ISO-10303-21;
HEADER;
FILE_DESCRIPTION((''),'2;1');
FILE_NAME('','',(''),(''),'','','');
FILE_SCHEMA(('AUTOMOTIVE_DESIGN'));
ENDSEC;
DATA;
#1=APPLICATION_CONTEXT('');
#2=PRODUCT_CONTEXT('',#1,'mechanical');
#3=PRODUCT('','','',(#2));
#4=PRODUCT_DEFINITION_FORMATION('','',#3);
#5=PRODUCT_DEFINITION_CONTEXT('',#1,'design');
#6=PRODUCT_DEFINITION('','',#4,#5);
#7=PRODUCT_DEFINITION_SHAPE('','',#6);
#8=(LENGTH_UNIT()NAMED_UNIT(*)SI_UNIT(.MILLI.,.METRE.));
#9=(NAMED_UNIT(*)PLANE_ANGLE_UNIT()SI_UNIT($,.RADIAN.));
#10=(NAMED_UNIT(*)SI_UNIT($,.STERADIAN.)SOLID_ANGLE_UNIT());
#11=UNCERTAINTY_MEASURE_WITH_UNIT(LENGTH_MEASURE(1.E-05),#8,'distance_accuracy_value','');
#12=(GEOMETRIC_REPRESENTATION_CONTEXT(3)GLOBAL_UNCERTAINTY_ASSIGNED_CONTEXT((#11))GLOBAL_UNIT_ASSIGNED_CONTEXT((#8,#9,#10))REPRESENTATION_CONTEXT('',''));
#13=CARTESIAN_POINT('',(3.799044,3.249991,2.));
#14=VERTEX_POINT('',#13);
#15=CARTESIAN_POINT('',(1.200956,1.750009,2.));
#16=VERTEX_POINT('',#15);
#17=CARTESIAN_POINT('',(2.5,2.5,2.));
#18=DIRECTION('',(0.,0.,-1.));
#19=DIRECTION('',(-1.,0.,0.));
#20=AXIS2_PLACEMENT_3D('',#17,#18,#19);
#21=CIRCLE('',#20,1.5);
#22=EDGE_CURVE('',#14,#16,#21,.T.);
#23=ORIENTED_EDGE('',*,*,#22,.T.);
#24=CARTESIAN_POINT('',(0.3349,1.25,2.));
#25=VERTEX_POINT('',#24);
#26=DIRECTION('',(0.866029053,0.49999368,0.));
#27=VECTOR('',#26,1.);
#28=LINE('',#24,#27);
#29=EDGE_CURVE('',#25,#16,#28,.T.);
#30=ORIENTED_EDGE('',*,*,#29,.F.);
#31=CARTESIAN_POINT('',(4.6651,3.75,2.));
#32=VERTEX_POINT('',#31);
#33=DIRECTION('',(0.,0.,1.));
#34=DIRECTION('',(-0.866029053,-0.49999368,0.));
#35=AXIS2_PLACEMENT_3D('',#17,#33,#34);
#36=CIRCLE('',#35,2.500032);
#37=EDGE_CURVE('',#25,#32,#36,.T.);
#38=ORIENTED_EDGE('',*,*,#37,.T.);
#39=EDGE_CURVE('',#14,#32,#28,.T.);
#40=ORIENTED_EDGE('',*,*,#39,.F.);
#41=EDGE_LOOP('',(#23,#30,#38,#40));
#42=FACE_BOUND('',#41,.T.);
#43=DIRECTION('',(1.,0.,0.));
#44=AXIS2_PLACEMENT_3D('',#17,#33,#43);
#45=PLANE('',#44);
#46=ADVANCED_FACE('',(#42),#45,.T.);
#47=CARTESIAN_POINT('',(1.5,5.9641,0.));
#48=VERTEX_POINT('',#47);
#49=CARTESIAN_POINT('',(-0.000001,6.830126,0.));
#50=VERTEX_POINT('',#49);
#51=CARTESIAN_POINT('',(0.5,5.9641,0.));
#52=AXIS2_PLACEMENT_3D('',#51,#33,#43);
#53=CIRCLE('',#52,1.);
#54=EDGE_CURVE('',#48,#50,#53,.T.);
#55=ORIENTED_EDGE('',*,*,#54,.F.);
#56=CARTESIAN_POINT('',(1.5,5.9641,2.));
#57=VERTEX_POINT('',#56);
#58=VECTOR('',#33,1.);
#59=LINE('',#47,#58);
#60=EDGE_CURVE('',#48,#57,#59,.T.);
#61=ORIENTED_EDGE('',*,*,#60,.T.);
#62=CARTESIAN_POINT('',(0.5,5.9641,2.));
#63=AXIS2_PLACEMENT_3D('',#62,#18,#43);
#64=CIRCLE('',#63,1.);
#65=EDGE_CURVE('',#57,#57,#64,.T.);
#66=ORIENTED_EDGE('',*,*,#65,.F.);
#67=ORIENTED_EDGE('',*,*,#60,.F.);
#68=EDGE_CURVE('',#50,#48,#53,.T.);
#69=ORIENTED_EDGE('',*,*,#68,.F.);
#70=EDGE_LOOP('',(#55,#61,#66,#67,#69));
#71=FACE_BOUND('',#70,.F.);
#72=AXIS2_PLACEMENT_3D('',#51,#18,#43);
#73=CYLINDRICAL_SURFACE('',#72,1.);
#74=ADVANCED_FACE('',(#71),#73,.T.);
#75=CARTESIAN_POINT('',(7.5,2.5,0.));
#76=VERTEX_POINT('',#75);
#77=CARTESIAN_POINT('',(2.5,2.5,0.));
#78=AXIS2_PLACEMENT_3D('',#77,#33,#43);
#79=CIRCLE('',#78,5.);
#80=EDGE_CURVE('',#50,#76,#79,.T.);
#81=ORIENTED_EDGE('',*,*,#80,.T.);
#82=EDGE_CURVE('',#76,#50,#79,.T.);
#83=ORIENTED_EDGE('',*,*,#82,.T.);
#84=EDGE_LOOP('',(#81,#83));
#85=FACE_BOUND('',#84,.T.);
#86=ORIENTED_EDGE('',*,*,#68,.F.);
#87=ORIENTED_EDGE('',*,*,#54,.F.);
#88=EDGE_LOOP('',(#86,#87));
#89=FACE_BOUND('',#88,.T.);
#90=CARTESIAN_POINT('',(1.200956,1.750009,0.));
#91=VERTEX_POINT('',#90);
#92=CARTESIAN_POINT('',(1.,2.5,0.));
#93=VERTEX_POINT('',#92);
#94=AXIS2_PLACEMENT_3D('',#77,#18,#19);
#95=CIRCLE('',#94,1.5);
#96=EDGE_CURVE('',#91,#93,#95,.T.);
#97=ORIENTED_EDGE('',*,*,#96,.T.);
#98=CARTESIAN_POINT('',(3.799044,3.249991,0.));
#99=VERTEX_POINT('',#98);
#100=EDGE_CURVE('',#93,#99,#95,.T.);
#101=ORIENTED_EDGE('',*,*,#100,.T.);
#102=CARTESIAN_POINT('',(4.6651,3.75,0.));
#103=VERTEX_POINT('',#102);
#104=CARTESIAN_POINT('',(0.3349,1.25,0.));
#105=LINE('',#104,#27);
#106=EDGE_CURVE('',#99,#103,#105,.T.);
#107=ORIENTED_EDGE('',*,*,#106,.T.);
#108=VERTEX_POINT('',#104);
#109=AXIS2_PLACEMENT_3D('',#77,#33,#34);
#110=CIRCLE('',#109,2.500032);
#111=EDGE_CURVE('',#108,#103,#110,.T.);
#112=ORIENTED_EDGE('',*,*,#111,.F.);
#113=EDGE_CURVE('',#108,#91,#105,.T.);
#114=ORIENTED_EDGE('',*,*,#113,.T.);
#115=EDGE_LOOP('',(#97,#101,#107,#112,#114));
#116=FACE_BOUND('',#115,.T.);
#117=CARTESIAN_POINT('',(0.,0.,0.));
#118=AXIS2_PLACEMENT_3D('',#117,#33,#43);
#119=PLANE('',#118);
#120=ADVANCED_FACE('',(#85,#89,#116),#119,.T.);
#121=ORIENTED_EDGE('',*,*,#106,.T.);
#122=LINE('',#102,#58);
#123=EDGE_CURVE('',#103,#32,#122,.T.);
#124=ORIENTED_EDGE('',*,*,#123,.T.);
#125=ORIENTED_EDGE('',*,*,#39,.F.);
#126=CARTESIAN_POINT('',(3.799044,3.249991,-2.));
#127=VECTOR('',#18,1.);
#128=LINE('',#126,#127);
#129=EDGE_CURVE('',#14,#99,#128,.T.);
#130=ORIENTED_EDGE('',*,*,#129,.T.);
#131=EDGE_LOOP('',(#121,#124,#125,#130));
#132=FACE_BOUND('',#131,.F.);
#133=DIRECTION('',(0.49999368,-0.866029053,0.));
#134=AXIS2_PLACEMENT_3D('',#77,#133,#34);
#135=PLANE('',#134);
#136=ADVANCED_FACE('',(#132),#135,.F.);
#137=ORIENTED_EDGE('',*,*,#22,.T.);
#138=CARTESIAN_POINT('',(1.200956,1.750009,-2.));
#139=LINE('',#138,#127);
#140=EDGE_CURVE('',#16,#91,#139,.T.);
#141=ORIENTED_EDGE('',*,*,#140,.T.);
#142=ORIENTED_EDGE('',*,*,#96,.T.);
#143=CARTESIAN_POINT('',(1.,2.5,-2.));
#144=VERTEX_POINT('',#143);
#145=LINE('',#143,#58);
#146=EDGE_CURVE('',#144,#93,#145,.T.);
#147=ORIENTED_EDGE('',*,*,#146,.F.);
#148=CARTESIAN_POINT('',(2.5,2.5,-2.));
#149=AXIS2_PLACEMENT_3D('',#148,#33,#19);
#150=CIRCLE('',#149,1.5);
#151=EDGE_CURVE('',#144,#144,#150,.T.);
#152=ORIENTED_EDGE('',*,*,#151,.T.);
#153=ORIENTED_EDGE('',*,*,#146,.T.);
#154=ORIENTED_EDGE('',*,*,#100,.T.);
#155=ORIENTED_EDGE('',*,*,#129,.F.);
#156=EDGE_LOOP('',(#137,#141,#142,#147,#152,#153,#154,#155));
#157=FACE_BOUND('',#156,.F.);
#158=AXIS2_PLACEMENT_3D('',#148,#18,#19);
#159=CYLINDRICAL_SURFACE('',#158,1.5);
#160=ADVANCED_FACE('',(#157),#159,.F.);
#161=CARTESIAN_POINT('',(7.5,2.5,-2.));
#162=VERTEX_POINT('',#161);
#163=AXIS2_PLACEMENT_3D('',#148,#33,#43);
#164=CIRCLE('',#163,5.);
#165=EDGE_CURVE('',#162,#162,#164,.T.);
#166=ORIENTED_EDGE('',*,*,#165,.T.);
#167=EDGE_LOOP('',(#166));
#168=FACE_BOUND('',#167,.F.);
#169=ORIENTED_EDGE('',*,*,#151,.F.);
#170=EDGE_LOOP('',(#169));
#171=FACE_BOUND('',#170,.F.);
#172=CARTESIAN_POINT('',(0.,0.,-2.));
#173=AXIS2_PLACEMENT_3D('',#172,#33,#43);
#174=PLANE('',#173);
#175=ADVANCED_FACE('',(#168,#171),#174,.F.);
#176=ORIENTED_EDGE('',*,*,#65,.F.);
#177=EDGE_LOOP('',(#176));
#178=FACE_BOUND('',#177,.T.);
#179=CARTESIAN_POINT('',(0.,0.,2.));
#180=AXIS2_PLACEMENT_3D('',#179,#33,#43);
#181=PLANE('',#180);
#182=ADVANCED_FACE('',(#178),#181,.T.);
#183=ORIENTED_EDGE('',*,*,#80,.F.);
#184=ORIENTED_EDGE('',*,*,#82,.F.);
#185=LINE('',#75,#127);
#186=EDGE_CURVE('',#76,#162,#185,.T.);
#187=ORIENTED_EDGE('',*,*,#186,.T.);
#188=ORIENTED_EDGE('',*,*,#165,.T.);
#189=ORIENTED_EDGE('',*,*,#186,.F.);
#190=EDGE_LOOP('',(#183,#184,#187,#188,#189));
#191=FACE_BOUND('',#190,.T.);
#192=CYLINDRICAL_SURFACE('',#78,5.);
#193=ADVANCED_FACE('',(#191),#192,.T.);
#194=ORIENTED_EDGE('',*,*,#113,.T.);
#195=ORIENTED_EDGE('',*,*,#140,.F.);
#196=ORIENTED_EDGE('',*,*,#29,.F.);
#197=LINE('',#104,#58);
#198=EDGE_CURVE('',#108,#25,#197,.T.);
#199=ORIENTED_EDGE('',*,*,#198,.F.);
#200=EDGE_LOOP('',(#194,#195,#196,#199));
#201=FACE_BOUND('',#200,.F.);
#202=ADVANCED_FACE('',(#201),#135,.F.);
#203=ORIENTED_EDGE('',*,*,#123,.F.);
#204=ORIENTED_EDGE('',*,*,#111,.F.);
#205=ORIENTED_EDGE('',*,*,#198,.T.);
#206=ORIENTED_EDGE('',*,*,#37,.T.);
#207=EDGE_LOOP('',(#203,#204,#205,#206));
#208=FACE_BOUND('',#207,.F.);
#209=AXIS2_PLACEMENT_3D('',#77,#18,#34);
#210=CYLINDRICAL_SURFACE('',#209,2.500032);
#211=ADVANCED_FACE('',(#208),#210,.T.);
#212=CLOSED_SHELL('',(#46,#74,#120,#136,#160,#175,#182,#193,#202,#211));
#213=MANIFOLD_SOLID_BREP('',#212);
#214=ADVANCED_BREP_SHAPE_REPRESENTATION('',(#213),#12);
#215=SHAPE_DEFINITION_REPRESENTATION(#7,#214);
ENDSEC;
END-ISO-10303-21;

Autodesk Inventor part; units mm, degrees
ref_plane "YZ Plane" through (0, 0, 0) normal (1, 0, 0) x (0, 1, 0)
ref_plane "XZ Plane" through (0, 0, 0) normal (0, 1, 0) x (-1, 0, 0)
ref_plane "XY Plane" through (0, 0, 0) normal (0, 0, 1) x (1, 0, 0)
sketch "Sketch1" plane through (0, 0, 0) normal (0, 0, 1) x (1, 0, 0)
  circle A0 centre (2.5, 2.5) radius 5
  circle A1 centre (0.5, 5.9641) radius 1
  circle A2 centre (2.5, 2.5) radius 2.5
  point P0 (0, 0)
  point P1 (0, 0)
  point P2 (-2.5, 2.5)
  point P3 (0, 6.8301)
  point P4 (0, -1.8301)
  point P5 (0.5, 6.9641)
  point P6 (0, 2.5)
  point P7 (2.0779, 4.9641)
  dimension "d0" = 5
sketch "Sketch2" plane through (0, 0, 0) normal (0, 0, 1) x (1, 0, 0)
  circle A0 centre (2.5, 2.5) radius 5
  circle A1 centre (0.5, 5.9641) radius 1
  circle A2 centre (2.5, 2.5) radius 2.5
  point P0 (0, 0)
  point P1 (0, 0)
  point P2 (0, 0)
  point P3 (-2.5, 2.5)
  point P4 (0, 6.8301)
  point P5 (0, -1.8301)
  point P6 (0.5, 6.9641)
  point P7 (0, 2.5)
  point P8 (2.0779, 4.9641)
  dimension "d1" = 5
extrude "Extrusion1" add sketch "Sketch1" along normal blind 2 contours A1
extrude "Extrusion2" add sketch "Sketch2" against normal blind 2 contours A1 | A0 | A2
sketch "Sketch3" plane through (2.5, 2.5, 0) normal (0, 0, 1) x (1, 0, 0)
  circle A0 centre (0, 0) radius 5
  circle A1 centre (-2, 3.4641) radius 1
  arc A2 (-2.1651, -1.25) -> (2.1651, 1.25) centre (0, 0) ccw
  circle A3 centre (0, 0) radius 5 projected
  line L0 (0, 0) -> (2.1651, 1.25)
  line L1 (0, 0) -> (-2.1651, -1.25)
  circle A4 centre (-2, 3.4641) radius 1 projected
  point P0 (-2.5, -2.5)
  point P1 (-2.5, -2.5)
  point P2 (-2.5, -2.5)
  point P3 (-2.5, -2.5)
  point P4 (-5, 0)
  point P5 (-2.5, 4.3301)
  point P6 (-2.5, -4.3301)
  point P7 (-2, 4.4641)
  point P8 (-2.5, 0)
  point P9 (-0.4221, 2.4641)
  point P10 (-2.5, 4.3301)
  dimension "d6" = 5
extrude "Extrusion3" add sketch "Sketch3" along normal blind 2 contours L1 L0 A2
sketch "Sketch4" plane through (2.5, 2.5, -2) normal (0, 0, -1) x (-1, 0, 0)
  line L0 (-2.1651, 1.25) -> (2.1651, -1.25) projected
  circle A0 centre (0, 0) radius 1.5
  point P0 (2.5, -2.5)
  dimension "d9" = 3
extrude "Extrusion4" cut sketch "Sketch4" against normal up to surface (4 mm away)
properties part number "C"
